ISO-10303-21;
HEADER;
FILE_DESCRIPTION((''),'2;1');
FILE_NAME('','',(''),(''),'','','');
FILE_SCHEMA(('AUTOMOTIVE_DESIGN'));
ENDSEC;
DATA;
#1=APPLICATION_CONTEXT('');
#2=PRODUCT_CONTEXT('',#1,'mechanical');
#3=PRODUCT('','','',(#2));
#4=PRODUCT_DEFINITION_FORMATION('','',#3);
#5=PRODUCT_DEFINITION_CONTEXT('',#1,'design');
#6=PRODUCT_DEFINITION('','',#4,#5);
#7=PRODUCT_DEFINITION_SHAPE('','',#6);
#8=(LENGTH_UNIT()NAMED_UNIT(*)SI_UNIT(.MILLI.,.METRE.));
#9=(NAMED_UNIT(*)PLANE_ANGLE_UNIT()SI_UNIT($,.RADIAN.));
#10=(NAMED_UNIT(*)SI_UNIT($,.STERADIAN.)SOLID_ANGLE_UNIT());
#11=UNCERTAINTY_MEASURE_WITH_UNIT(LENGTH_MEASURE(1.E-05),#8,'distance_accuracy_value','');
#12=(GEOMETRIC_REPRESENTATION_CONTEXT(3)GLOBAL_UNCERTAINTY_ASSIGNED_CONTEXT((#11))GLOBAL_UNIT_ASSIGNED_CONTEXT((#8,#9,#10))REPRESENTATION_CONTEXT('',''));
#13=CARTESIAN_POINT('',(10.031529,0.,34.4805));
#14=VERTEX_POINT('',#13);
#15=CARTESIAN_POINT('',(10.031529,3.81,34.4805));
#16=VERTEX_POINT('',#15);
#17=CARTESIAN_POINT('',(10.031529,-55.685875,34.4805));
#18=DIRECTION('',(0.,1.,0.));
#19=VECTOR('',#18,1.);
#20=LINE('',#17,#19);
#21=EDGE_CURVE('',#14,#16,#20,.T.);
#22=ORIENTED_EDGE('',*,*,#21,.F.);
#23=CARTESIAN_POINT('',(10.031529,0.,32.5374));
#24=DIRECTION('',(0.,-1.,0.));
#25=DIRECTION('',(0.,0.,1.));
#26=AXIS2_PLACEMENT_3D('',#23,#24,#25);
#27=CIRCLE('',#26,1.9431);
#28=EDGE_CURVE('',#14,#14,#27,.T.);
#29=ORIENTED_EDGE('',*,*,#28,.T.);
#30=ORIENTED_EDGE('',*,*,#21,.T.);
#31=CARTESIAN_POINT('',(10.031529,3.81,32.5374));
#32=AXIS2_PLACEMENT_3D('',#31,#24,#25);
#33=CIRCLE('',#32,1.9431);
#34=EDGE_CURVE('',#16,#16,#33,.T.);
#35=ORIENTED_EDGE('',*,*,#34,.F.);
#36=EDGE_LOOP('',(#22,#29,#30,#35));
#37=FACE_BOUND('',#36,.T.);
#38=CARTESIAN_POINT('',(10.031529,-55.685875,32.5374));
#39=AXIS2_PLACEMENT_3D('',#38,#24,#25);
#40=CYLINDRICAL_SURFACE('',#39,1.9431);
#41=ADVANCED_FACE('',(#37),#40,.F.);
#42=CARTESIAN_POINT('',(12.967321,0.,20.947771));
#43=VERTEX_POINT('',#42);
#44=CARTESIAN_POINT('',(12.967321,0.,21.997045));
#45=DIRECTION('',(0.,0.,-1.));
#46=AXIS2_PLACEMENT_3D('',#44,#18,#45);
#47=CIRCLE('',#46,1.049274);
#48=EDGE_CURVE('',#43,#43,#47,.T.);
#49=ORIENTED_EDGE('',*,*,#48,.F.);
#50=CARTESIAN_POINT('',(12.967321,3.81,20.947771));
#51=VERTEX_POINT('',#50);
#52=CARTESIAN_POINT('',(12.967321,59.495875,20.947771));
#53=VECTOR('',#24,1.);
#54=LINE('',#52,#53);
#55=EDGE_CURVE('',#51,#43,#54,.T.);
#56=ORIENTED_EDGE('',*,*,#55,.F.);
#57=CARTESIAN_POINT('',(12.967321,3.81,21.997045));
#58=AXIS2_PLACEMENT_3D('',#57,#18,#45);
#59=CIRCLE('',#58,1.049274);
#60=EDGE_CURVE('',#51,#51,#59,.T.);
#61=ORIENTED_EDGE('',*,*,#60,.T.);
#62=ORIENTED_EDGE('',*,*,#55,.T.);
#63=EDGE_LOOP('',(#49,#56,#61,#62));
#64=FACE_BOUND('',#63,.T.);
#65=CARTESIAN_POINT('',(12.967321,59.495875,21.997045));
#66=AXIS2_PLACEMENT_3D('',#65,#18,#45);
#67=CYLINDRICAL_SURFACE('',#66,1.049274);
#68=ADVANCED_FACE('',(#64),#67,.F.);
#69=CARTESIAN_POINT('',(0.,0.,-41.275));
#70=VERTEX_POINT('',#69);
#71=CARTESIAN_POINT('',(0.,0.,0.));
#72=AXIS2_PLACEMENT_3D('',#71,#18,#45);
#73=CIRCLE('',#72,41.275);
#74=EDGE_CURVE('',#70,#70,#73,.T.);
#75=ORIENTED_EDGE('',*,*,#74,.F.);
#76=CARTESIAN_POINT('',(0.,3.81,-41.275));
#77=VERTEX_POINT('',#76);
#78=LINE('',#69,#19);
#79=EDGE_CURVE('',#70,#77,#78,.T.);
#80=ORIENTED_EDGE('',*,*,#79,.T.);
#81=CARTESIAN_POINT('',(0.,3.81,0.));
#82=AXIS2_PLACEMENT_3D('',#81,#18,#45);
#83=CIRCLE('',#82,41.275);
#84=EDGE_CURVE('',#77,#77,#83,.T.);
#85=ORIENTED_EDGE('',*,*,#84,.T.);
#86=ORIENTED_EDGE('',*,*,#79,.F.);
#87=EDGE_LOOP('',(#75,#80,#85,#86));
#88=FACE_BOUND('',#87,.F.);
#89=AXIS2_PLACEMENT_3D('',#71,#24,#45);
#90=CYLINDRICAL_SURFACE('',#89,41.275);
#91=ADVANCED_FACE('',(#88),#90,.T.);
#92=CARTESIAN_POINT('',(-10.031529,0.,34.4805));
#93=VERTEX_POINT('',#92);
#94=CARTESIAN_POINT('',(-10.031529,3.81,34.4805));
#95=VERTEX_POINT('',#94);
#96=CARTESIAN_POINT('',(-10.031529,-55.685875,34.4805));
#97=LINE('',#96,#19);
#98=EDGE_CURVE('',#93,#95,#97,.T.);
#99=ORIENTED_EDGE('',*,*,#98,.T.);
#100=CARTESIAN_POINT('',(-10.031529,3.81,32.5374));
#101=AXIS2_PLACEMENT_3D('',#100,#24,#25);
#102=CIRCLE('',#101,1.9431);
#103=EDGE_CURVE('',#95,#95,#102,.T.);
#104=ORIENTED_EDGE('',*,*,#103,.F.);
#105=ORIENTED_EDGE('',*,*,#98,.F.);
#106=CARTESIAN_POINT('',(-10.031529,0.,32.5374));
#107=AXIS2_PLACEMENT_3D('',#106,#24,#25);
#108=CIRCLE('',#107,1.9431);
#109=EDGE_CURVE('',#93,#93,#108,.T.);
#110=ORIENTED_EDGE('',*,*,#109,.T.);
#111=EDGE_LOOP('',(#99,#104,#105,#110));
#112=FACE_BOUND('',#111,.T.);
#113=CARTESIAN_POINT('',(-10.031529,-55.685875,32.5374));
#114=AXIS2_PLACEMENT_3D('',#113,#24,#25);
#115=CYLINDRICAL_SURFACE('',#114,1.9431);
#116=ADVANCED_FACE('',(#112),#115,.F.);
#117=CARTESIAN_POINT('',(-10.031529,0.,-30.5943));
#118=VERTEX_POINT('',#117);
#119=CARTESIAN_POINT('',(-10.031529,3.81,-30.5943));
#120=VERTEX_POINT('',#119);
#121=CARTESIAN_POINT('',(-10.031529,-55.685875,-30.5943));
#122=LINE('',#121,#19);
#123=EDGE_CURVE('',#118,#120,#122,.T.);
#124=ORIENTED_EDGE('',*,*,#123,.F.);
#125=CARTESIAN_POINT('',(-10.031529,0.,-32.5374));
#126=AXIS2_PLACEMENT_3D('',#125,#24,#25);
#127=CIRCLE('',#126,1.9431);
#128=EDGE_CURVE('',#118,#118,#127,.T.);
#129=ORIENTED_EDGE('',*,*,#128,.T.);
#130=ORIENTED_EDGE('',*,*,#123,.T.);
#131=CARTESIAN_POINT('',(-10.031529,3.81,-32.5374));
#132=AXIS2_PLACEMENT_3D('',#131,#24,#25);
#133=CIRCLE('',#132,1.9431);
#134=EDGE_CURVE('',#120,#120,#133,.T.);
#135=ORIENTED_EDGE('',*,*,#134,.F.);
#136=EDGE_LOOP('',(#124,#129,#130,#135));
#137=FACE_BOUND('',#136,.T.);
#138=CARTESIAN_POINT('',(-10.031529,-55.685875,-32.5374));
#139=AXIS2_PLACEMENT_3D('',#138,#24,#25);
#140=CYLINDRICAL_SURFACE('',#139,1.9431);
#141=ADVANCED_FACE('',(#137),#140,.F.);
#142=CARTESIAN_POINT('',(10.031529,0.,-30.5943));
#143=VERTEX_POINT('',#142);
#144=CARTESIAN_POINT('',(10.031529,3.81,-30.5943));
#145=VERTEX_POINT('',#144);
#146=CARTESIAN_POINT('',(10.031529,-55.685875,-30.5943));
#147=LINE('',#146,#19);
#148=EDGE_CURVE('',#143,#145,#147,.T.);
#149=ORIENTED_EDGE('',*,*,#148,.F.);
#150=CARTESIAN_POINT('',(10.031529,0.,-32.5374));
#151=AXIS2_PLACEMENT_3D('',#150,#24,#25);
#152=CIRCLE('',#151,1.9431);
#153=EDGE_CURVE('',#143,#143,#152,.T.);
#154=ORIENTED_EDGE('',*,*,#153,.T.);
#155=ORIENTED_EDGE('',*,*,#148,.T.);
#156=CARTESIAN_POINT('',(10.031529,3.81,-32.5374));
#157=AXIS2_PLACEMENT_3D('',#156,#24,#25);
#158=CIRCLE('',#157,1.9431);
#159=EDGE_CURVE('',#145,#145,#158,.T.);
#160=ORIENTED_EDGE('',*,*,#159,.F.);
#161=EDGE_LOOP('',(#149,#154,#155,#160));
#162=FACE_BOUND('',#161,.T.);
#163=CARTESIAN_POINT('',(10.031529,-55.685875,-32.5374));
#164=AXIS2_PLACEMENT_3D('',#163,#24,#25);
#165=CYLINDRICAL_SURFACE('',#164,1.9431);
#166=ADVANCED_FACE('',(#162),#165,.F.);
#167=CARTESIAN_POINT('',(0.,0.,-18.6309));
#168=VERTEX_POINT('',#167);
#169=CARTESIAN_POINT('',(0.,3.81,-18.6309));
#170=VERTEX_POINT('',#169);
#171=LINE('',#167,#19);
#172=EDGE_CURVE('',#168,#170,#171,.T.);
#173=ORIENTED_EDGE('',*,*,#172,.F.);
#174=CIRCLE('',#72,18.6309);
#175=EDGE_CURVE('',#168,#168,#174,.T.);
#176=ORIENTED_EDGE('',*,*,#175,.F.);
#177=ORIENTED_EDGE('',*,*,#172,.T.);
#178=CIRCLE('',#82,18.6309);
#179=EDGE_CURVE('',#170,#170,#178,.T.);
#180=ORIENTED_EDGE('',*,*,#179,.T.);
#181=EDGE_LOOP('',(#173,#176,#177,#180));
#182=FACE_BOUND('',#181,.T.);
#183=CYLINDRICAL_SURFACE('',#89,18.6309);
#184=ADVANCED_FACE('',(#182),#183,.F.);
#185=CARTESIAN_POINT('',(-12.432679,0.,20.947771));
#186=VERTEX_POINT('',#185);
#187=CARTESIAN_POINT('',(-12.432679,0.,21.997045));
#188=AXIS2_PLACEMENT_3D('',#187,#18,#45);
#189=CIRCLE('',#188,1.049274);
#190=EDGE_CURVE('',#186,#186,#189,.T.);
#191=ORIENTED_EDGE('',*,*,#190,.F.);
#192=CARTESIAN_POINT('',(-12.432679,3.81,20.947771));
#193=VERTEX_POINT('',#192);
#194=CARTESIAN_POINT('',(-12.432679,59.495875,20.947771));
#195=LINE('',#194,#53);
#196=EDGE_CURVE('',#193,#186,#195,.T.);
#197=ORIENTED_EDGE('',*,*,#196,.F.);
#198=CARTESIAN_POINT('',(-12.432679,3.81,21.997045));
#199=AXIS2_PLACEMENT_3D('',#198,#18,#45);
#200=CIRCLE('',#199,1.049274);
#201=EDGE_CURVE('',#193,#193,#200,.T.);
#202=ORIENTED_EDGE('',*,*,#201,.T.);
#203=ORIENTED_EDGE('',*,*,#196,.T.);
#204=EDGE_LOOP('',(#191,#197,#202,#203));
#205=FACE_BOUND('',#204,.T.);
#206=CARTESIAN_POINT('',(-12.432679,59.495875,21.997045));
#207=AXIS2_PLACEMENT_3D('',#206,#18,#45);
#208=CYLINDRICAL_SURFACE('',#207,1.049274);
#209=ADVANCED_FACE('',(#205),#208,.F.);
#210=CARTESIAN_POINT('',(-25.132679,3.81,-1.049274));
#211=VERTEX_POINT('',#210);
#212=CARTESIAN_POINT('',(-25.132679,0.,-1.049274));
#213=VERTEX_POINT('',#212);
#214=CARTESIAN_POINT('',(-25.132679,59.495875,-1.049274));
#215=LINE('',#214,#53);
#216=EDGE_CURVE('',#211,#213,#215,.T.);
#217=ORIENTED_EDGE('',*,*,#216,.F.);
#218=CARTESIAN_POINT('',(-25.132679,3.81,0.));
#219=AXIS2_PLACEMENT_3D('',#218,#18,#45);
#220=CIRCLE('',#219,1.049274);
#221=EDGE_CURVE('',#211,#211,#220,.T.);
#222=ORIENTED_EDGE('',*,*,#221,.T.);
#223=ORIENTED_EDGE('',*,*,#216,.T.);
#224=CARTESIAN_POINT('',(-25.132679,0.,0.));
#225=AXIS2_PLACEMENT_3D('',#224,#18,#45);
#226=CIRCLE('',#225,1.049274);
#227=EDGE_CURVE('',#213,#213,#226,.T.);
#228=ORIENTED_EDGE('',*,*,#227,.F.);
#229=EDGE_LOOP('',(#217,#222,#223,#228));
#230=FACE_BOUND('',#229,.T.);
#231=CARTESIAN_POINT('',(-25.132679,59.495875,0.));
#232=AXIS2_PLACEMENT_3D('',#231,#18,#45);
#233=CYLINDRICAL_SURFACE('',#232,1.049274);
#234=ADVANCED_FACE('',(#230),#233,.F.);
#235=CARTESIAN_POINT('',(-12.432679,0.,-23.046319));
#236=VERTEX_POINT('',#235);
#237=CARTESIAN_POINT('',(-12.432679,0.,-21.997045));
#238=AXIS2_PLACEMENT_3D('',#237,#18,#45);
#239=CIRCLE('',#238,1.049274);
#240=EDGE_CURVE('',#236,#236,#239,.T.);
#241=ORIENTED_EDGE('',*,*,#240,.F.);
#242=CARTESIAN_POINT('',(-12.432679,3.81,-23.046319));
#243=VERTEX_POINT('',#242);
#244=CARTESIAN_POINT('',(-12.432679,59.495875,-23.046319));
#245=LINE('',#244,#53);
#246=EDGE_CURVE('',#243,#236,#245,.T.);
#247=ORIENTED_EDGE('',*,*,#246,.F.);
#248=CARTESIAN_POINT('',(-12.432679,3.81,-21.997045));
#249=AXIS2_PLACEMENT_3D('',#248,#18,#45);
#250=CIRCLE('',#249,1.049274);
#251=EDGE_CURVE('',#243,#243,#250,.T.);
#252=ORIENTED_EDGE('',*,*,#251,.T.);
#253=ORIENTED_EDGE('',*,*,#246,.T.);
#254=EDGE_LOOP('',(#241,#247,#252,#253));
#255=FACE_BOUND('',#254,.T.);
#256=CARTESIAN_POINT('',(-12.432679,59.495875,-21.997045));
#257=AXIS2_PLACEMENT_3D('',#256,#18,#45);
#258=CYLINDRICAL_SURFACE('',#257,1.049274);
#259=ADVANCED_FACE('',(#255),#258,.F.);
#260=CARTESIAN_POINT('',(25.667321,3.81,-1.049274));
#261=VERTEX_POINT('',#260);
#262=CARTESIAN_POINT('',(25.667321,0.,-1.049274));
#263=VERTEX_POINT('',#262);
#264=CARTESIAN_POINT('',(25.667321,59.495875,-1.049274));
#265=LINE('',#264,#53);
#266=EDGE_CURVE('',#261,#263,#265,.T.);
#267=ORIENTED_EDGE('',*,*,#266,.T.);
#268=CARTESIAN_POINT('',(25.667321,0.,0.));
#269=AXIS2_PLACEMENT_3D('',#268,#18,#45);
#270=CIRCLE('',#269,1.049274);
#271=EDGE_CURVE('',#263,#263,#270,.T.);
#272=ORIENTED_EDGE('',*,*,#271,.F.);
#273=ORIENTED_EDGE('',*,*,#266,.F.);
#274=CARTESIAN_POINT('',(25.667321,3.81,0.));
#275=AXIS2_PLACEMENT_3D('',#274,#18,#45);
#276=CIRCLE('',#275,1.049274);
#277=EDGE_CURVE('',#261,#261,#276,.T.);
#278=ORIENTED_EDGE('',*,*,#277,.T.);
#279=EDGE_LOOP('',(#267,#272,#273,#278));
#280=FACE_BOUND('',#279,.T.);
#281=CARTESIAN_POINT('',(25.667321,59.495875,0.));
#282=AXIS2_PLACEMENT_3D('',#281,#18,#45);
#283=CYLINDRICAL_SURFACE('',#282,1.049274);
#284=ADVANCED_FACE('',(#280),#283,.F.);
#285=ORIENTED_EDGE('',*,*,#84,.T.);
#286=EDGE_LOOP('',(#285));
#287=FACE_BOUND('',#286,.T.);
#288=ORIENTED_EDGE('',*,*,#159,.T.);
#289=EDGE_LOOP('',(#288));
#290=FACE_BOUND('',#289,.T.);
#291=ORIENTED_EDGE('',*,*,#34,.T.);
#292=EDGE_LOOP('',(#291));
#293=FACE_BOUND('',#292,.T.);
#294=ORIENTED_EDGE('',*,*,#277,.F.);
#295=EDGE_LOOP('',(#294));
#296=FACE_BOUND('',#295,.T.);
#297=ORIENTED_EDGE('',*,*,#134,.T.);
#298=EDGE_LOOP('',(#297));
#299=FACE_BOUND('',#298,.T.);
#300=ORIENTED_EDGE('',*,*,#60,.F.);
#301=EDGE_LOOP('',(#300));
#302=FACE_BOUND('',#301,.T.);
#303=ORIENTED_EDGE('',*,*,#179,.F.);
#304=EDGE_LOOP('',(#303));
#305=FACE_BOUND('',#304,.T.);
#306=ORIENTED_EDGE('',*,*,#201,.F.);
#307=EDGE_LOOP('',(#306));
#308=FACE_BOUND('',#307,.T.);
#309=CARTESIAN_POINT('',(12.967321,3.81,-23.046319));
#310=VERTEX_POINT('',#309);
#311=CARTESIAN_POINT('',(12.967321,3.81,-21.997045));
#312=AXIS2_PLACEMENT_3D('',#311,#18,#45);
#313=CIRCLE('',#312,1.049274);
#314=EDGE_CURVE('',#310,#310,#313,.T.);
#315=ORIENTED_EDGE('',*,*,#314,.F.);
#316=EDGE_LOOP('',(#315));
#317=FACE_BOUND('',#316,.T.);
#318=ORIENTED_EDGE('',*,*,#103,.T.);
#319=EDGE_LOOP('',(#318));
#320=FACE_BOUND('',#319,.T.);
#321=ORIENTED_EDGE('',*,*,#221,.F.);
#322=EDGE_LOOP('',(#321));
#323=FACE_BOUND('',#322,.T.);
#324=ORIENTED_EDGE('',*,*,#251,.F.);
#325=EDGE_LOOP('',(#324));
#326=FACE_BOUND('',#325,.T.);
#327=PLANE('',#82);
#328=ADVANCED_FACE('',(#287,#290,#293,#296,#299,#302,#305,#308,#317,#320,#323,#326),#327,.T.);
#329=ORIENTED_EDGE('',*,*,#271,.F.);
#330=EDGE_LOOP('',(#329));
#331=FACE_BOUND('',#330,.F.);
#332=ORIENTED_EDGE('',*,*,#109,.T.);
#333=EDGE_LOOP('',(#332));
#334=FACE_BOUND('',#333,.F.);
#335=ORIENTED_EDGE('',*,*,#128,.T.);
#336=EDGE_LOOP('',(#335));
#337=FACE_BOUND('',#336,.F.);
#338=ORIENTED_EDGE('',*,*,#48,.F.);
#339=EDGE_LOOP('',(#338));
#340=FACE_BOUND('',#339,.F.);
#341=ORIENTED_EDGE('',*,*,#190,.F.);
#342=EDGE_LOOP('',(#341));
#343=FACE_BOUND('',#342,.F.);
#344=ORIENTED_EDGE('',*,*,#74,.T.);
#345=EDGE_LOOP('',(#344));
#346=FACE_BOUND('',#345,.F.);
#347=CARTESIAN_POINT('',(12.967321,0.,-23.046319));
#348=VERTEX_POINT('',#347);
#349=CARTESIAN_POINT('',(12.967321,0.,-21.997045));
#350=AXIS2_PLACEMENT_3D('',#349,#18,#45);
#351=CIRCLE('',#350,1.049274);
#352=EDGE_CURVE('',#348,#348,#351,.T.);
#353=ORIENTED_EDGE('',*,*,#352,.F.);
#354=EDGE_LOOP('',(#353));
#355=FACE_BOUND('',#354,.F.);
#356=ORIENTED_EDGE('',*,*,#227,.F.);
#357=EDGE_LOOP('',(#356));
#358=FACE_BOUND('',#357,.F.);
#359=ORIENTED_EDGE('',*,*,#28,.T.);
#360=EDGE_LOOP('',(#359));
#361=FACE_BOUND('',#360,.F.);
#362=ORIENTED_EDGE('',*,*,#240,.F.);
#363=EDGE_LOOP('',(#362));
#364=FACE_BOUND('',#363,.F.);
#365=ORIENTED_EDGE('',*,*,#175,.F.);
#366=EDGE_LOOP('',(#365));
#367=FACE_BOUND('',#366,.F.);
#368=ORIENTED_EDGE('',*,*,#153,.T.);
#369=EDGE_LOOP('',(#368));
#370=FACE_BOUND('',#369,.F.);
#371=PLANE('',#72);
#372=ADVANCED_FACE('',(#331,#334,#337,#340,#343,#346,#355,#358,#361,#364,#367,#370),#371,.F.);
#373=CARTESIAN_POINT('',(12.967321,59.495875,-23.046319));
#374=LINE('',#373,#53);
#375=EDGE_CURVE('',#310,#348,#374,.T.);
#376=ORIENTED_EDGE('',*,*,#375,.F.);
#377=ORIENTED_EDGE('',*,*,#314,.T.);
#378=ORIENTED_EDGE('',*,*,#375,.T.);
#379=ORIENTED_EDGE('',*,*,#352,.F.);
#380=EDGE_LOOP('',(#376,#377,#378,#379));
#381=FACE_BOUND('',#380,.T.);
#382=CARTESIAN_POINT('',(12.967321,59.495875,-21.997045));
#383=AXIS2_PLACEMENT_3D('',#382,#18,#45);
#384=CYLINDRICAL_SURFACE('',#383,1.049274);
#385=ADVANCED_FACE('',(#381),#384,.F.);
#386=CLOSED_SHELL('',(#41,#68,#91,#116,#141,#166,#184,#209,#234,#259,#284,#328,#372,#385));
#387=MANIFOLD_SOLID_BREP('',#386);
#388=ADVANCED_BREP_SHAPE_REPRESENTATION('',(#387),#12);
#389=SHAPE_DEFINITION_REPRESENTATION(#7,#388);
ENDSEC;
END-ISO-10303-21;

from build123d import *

# Parameters (mm, degrees)
SKETCH1_R               = 41.275
SKETCH1_R_2             = 18.6309
BOSS_EXTRUDE1_DEPTH     = 3.81
CUT_EXTRUDE1_DEPTH      = 59.495874641
CUT_EXTRUDE1_DEPTH_BACK = 59.495874641
SKETCH3_R               = 1.049274
CUT_EXTRUDE2_DEPTH      = 59.495874641
CUT_EXTRUDE2_DEPTH_BACK = 59.495874641
SKETCH4_R               = 1.9431


with BuildPart() as part:
    # Sketch1 → Boss-Extrude1 (new body)
    with BuildSketch(Plane(origin=(0, 0, 0), x_dir=(1, 0, 0), z_dir=(0, 1, 0))):
        with Locations(Location((0, 0, 0), (0, 0, 90))):
            Circle(SKETCH1_R)
        with Locations(Location((0, 0, 0), (0, 0, 90))):
            Circle(SKETCH1_R_2, mode=Mode.SUBTRACT)
    extrude(amount=BOSS_EXTRUDE1_DEPTH)

    # Sketch3 → Cut-Extrude1 (cut, two sides: drawn at the far end of the back side and taken through both)
    with BuildSketch(Plane.XZ.offset(-CUT_EXTRUDE1_DEPTH_BACK)):
        with Locations(Location((12.96732128, 21.997045256, 0), (0, 0, 270))):
            Circle(SKETCH3_R)
        with Locations(Location((-12.43267872, 21.997045256, 0), (0, 0, 270))):
            Circle(SKETCH3_R)
        with Locations(Location((-25.13267872, 0, 0), (0, 0, 270))):
            Circle(SKETCH3_R)
        with Locations(Location((-12.43267872, -21.997045256, 0), (0, 0, 270))):
            Circle(SKETCH3_R)
        with Locations(Location((12.96732128, -21.997045256, 0), (0, 0, 270))):
            Circle(SKETCH3_R)
        with Locations(Location((25.66732128, 0, 0), (0, 0, 270))):
            Circle(SKETCH3_R)
    extrude(amount=CUT_EXTRUDE1_DEPTH + CUT_EXTRUDE1_DEPTH_BACK, mode=Mode.SUBTRACT)

    # Sketch4 → Cut-Extrude2 (cut, two sides: drawn at the far end of the back side and taken through both)
    with BuildSketch(Plane(origin=(0, 3.81, 0), x_dir=(1, 0, 0), z_dir=(0, 1, 0)).offset(-CUT_EXTRUDE2_DEPTH_BACK)):
        with Locations(Location((-10.031528943, 32.5374, 0), (0, 0, 270))):
            Circle(SKETCH4_R)
        with Locations(Location((-10.031528943, -32.5374, 0), (0, 0, 270))):
            Circle(SKETCH4_R)
        with Locations(Location((10.031528943, -32.5374, 0), (0, 0, 270))):
            Circle(SKETCH4_R)
        with Locations(Location((10.031528943, 32.5374, 0), (0, 0, 270))):
            Circle(SKETCH4_R)
    extrude(amount=CUT_EXTRUDE2_DEPTH + CUT_EXTRUDE2_DEPTH_BACK, mode=Mode.SUBTRACT)


solid = part.part
